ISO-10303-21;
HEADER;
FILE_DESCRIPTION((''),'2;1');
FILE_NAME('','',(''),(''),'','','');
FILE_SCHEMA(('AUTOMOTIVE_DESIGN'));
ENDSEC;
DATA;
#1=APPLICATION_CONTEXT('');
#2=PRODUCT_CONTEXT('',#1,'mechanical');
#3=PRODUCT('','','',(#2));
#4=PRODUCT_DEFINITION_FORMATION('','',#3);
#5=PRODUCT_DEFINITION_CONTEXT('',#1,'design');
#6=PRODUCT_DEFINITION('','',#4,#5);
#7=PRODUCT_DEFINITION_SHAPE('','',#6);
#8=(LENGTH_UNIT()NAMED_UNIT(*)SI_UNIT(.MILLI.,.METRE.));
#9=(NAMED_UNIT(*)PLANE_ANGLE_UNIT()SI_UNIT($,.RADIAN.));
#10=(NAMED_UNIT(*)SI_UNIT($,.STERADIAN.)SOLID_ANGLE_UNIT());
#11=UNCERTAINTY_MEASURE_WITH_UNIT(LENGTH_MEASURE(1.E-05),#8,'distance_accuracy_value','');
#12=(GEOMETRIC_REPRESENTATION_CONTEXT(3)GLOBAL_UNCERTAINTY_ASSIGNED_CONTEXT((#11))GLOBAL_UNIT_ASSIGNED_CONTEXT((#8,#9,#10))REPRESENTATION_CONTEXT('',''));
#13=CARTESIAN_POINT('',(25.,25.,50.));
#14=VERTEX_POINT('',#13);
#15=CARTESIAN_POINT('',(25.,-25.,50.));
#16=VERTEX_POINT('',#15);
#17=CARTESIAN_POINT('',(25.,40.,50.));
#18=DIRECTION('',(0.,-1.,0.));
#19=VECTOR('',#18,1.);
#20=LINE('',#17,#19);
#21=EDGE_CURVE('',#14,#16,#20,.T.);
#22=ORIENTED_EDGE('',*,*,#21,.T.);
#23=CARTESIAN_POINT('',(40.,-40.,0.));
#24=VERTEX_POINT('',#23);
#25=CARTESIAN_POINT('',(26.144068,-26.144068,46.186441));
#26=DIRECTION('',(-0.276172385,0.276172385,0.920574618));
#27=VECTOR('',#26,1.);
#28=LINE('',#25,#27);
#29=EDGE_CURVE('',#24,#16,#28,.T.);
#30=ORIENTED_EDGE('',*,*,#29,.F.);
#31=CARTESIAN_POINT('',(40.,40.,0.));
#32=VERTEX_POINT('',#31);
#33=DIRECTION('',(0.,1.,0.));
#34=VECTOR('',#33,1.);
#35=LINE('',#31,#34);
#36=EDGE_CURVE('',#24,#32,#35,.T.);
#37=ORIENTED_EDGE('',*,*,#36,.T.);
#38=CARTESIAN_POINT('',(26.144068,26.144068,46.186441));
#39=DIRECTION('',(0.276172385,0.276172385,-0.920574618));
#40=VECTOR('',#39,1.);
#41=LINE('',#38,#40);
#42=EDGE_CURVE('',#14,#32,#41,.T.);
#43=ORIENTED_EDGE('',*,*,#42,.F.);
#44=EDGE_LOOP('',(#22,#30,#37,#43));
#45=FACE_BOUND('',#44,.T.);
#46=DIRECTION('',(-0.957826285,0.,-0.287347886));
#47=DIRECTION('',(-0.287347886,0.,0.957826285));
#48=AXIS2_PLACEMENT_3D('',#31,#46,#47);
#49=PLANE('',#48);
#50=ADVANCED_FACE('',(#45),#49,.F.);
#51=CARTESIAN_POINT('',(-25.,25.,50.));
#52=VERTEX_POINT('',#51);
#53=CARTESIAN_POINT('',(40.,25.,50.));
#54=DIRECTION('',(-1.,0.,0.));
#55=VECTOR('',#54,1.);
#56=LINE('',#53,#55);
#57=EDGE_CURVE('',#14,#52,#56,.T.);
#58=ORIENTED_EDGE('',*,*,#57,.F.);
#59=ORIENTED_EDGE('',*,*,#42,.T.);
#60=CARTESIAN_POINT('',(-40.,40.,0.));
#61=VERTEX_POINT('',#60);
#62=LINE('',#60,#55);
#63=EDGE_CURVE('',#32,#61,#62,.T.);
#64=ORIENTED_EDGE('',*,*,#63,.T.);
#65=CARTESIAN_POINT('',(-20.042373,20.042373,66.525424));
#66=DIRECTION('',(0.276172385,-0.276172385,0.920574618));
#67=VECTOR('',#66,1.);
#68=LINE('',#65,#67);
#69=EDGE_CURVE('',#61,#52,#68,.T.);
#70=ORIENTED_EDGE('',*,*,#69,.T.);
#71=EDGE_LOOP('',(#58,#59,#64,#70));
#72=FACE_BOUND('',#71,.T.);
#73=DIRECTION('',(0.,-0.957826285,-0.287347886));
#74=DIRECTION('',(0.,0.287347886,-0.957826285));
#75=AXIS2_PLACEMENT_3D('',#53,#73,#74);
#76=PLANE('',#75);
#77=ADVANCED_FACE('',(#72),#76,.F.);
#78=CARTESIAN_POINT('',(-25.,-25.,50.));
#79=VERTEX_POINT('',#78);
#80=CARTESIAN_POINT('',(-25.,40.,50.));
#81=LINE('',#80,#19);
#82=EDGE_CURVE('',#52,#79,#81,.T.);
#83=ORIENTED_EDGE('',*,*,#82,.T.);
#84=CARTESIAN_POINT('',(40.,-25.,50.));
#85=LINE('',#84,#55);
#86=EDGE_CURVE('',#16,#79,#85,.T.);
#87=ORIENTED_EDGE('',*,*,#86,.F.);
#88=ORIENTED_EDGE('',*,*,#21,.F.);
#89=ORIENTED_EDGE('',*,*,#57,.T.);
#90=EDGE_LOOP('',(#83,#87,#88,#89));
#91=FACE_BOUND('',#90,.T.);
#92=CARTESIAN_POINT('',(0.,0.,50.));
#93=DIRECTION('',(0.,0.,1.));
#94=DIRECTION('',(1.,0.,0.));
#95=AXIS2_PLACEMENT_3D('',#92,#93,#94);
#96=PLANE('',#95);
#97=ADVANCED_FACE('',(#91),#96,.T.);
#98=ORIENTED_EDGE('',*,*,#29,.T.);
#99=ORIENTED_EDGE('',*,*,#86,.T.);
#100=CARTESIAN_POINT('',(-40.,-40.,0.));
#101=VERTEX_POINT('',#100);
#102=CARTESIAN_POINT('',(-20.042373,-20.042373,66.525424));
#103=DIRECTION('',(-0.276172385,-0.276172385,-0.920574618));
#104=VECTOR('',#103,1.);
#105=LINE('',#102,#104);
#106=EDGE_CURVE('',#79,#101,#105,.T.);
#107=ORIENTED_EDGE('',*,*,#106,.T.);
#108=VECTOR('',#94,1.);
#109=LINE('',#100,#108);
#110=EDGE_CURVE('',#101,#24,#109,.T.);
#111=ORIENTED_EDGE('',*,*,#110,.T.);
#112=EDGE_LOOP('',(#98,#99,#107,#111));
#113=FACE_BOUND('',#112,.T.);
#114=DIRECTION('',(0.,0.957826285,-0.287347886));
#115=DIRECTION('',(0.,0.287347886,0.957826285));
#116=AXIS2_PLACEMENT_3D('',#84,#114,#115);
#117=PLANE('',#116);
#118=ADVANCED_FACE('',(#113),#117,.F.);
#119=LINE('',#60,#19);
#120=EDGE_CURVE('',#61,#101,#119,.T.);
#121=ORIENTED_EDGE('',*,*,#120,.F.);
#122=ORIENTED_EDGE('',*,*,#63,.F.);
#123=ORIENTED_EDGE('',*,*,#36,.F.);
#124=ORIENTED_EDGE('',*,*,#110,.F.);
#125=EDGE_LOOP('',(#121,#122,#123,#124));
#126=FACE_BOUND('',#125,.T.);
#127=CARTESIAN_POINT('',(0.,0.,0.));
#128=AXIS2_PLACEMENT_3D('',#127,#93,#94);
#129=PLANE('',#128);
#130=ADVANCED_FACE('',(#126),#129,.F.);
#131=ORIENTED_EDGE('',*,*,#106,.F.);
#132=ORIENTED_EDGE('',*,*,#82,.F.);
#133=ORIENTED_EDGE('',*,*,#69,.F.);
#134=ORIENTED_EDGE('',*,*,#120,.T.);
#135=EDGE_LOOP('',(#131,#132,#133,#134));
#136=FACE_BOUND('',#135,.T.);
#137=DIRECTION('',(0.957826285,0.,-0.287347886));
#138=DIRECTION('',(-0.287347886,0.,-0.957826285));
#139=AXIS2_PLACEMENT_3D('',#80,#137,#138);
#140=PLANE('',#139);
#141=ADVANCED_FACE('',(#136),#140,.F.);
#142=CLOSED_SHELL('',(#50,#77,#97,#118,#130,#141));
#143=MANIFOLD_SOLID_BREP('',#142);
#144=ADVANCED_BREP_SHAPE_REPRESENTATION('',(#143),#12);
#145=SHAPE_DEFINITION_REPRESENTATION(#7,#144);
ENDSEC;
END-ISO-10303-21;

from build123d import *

# Parameters (mm, degrees)
ESBO_O1_W                = 80
ESBO_O1_H                = 80
RESSALTO_EXTRUS_O1_DEPTH = 50
CORTE_EXTRUS_O3_DEPTH    = 103.46950766
CORTE_EXTRUS_O4_DEPTH    = 103.46950766


with BuildPart() as part:
    # Esboço1 → Ressalto-extrusão1 (new body)
    with BuildSketch(Plane.XY):
        Rectangle(ESBO_O1_W, ESBO_O1_H)
    extrude(amount=RESSALTO_EXTRUS_O1_DEPTH)

    # Esboço3 → Corte-extrusão3 (cut, through all)
    with BuildSketch(Plane.ZY.offset(40)):
        Polygon((50, 25), (0, 40), (50, 40), align=None)
        Polygon((50, -25), (0, -40), (50, -40), align=None)
    extrude(amount=-CORTE_EXTRUS_O3_DEPTH, mode=Mode.SUBTRACT)

    # Esboço8 → Corte-extrusão4 (cut, through all)
    with BuildSketch(Plane(origin=(0, -40, 0), x_dir=(-1, 0, 0), z_dir=(0, -1, 0))):
        Polygon((25, -50), (40, 0), (40, -50), align=None)
        Polygon((-25, -50), (-40, -50), (-40, 0), align=None)
    extrude(amount=-CORTE_EXTRUS_O4_DEPTH, mode=Mode.SUBTRACT)


solid = part.part
